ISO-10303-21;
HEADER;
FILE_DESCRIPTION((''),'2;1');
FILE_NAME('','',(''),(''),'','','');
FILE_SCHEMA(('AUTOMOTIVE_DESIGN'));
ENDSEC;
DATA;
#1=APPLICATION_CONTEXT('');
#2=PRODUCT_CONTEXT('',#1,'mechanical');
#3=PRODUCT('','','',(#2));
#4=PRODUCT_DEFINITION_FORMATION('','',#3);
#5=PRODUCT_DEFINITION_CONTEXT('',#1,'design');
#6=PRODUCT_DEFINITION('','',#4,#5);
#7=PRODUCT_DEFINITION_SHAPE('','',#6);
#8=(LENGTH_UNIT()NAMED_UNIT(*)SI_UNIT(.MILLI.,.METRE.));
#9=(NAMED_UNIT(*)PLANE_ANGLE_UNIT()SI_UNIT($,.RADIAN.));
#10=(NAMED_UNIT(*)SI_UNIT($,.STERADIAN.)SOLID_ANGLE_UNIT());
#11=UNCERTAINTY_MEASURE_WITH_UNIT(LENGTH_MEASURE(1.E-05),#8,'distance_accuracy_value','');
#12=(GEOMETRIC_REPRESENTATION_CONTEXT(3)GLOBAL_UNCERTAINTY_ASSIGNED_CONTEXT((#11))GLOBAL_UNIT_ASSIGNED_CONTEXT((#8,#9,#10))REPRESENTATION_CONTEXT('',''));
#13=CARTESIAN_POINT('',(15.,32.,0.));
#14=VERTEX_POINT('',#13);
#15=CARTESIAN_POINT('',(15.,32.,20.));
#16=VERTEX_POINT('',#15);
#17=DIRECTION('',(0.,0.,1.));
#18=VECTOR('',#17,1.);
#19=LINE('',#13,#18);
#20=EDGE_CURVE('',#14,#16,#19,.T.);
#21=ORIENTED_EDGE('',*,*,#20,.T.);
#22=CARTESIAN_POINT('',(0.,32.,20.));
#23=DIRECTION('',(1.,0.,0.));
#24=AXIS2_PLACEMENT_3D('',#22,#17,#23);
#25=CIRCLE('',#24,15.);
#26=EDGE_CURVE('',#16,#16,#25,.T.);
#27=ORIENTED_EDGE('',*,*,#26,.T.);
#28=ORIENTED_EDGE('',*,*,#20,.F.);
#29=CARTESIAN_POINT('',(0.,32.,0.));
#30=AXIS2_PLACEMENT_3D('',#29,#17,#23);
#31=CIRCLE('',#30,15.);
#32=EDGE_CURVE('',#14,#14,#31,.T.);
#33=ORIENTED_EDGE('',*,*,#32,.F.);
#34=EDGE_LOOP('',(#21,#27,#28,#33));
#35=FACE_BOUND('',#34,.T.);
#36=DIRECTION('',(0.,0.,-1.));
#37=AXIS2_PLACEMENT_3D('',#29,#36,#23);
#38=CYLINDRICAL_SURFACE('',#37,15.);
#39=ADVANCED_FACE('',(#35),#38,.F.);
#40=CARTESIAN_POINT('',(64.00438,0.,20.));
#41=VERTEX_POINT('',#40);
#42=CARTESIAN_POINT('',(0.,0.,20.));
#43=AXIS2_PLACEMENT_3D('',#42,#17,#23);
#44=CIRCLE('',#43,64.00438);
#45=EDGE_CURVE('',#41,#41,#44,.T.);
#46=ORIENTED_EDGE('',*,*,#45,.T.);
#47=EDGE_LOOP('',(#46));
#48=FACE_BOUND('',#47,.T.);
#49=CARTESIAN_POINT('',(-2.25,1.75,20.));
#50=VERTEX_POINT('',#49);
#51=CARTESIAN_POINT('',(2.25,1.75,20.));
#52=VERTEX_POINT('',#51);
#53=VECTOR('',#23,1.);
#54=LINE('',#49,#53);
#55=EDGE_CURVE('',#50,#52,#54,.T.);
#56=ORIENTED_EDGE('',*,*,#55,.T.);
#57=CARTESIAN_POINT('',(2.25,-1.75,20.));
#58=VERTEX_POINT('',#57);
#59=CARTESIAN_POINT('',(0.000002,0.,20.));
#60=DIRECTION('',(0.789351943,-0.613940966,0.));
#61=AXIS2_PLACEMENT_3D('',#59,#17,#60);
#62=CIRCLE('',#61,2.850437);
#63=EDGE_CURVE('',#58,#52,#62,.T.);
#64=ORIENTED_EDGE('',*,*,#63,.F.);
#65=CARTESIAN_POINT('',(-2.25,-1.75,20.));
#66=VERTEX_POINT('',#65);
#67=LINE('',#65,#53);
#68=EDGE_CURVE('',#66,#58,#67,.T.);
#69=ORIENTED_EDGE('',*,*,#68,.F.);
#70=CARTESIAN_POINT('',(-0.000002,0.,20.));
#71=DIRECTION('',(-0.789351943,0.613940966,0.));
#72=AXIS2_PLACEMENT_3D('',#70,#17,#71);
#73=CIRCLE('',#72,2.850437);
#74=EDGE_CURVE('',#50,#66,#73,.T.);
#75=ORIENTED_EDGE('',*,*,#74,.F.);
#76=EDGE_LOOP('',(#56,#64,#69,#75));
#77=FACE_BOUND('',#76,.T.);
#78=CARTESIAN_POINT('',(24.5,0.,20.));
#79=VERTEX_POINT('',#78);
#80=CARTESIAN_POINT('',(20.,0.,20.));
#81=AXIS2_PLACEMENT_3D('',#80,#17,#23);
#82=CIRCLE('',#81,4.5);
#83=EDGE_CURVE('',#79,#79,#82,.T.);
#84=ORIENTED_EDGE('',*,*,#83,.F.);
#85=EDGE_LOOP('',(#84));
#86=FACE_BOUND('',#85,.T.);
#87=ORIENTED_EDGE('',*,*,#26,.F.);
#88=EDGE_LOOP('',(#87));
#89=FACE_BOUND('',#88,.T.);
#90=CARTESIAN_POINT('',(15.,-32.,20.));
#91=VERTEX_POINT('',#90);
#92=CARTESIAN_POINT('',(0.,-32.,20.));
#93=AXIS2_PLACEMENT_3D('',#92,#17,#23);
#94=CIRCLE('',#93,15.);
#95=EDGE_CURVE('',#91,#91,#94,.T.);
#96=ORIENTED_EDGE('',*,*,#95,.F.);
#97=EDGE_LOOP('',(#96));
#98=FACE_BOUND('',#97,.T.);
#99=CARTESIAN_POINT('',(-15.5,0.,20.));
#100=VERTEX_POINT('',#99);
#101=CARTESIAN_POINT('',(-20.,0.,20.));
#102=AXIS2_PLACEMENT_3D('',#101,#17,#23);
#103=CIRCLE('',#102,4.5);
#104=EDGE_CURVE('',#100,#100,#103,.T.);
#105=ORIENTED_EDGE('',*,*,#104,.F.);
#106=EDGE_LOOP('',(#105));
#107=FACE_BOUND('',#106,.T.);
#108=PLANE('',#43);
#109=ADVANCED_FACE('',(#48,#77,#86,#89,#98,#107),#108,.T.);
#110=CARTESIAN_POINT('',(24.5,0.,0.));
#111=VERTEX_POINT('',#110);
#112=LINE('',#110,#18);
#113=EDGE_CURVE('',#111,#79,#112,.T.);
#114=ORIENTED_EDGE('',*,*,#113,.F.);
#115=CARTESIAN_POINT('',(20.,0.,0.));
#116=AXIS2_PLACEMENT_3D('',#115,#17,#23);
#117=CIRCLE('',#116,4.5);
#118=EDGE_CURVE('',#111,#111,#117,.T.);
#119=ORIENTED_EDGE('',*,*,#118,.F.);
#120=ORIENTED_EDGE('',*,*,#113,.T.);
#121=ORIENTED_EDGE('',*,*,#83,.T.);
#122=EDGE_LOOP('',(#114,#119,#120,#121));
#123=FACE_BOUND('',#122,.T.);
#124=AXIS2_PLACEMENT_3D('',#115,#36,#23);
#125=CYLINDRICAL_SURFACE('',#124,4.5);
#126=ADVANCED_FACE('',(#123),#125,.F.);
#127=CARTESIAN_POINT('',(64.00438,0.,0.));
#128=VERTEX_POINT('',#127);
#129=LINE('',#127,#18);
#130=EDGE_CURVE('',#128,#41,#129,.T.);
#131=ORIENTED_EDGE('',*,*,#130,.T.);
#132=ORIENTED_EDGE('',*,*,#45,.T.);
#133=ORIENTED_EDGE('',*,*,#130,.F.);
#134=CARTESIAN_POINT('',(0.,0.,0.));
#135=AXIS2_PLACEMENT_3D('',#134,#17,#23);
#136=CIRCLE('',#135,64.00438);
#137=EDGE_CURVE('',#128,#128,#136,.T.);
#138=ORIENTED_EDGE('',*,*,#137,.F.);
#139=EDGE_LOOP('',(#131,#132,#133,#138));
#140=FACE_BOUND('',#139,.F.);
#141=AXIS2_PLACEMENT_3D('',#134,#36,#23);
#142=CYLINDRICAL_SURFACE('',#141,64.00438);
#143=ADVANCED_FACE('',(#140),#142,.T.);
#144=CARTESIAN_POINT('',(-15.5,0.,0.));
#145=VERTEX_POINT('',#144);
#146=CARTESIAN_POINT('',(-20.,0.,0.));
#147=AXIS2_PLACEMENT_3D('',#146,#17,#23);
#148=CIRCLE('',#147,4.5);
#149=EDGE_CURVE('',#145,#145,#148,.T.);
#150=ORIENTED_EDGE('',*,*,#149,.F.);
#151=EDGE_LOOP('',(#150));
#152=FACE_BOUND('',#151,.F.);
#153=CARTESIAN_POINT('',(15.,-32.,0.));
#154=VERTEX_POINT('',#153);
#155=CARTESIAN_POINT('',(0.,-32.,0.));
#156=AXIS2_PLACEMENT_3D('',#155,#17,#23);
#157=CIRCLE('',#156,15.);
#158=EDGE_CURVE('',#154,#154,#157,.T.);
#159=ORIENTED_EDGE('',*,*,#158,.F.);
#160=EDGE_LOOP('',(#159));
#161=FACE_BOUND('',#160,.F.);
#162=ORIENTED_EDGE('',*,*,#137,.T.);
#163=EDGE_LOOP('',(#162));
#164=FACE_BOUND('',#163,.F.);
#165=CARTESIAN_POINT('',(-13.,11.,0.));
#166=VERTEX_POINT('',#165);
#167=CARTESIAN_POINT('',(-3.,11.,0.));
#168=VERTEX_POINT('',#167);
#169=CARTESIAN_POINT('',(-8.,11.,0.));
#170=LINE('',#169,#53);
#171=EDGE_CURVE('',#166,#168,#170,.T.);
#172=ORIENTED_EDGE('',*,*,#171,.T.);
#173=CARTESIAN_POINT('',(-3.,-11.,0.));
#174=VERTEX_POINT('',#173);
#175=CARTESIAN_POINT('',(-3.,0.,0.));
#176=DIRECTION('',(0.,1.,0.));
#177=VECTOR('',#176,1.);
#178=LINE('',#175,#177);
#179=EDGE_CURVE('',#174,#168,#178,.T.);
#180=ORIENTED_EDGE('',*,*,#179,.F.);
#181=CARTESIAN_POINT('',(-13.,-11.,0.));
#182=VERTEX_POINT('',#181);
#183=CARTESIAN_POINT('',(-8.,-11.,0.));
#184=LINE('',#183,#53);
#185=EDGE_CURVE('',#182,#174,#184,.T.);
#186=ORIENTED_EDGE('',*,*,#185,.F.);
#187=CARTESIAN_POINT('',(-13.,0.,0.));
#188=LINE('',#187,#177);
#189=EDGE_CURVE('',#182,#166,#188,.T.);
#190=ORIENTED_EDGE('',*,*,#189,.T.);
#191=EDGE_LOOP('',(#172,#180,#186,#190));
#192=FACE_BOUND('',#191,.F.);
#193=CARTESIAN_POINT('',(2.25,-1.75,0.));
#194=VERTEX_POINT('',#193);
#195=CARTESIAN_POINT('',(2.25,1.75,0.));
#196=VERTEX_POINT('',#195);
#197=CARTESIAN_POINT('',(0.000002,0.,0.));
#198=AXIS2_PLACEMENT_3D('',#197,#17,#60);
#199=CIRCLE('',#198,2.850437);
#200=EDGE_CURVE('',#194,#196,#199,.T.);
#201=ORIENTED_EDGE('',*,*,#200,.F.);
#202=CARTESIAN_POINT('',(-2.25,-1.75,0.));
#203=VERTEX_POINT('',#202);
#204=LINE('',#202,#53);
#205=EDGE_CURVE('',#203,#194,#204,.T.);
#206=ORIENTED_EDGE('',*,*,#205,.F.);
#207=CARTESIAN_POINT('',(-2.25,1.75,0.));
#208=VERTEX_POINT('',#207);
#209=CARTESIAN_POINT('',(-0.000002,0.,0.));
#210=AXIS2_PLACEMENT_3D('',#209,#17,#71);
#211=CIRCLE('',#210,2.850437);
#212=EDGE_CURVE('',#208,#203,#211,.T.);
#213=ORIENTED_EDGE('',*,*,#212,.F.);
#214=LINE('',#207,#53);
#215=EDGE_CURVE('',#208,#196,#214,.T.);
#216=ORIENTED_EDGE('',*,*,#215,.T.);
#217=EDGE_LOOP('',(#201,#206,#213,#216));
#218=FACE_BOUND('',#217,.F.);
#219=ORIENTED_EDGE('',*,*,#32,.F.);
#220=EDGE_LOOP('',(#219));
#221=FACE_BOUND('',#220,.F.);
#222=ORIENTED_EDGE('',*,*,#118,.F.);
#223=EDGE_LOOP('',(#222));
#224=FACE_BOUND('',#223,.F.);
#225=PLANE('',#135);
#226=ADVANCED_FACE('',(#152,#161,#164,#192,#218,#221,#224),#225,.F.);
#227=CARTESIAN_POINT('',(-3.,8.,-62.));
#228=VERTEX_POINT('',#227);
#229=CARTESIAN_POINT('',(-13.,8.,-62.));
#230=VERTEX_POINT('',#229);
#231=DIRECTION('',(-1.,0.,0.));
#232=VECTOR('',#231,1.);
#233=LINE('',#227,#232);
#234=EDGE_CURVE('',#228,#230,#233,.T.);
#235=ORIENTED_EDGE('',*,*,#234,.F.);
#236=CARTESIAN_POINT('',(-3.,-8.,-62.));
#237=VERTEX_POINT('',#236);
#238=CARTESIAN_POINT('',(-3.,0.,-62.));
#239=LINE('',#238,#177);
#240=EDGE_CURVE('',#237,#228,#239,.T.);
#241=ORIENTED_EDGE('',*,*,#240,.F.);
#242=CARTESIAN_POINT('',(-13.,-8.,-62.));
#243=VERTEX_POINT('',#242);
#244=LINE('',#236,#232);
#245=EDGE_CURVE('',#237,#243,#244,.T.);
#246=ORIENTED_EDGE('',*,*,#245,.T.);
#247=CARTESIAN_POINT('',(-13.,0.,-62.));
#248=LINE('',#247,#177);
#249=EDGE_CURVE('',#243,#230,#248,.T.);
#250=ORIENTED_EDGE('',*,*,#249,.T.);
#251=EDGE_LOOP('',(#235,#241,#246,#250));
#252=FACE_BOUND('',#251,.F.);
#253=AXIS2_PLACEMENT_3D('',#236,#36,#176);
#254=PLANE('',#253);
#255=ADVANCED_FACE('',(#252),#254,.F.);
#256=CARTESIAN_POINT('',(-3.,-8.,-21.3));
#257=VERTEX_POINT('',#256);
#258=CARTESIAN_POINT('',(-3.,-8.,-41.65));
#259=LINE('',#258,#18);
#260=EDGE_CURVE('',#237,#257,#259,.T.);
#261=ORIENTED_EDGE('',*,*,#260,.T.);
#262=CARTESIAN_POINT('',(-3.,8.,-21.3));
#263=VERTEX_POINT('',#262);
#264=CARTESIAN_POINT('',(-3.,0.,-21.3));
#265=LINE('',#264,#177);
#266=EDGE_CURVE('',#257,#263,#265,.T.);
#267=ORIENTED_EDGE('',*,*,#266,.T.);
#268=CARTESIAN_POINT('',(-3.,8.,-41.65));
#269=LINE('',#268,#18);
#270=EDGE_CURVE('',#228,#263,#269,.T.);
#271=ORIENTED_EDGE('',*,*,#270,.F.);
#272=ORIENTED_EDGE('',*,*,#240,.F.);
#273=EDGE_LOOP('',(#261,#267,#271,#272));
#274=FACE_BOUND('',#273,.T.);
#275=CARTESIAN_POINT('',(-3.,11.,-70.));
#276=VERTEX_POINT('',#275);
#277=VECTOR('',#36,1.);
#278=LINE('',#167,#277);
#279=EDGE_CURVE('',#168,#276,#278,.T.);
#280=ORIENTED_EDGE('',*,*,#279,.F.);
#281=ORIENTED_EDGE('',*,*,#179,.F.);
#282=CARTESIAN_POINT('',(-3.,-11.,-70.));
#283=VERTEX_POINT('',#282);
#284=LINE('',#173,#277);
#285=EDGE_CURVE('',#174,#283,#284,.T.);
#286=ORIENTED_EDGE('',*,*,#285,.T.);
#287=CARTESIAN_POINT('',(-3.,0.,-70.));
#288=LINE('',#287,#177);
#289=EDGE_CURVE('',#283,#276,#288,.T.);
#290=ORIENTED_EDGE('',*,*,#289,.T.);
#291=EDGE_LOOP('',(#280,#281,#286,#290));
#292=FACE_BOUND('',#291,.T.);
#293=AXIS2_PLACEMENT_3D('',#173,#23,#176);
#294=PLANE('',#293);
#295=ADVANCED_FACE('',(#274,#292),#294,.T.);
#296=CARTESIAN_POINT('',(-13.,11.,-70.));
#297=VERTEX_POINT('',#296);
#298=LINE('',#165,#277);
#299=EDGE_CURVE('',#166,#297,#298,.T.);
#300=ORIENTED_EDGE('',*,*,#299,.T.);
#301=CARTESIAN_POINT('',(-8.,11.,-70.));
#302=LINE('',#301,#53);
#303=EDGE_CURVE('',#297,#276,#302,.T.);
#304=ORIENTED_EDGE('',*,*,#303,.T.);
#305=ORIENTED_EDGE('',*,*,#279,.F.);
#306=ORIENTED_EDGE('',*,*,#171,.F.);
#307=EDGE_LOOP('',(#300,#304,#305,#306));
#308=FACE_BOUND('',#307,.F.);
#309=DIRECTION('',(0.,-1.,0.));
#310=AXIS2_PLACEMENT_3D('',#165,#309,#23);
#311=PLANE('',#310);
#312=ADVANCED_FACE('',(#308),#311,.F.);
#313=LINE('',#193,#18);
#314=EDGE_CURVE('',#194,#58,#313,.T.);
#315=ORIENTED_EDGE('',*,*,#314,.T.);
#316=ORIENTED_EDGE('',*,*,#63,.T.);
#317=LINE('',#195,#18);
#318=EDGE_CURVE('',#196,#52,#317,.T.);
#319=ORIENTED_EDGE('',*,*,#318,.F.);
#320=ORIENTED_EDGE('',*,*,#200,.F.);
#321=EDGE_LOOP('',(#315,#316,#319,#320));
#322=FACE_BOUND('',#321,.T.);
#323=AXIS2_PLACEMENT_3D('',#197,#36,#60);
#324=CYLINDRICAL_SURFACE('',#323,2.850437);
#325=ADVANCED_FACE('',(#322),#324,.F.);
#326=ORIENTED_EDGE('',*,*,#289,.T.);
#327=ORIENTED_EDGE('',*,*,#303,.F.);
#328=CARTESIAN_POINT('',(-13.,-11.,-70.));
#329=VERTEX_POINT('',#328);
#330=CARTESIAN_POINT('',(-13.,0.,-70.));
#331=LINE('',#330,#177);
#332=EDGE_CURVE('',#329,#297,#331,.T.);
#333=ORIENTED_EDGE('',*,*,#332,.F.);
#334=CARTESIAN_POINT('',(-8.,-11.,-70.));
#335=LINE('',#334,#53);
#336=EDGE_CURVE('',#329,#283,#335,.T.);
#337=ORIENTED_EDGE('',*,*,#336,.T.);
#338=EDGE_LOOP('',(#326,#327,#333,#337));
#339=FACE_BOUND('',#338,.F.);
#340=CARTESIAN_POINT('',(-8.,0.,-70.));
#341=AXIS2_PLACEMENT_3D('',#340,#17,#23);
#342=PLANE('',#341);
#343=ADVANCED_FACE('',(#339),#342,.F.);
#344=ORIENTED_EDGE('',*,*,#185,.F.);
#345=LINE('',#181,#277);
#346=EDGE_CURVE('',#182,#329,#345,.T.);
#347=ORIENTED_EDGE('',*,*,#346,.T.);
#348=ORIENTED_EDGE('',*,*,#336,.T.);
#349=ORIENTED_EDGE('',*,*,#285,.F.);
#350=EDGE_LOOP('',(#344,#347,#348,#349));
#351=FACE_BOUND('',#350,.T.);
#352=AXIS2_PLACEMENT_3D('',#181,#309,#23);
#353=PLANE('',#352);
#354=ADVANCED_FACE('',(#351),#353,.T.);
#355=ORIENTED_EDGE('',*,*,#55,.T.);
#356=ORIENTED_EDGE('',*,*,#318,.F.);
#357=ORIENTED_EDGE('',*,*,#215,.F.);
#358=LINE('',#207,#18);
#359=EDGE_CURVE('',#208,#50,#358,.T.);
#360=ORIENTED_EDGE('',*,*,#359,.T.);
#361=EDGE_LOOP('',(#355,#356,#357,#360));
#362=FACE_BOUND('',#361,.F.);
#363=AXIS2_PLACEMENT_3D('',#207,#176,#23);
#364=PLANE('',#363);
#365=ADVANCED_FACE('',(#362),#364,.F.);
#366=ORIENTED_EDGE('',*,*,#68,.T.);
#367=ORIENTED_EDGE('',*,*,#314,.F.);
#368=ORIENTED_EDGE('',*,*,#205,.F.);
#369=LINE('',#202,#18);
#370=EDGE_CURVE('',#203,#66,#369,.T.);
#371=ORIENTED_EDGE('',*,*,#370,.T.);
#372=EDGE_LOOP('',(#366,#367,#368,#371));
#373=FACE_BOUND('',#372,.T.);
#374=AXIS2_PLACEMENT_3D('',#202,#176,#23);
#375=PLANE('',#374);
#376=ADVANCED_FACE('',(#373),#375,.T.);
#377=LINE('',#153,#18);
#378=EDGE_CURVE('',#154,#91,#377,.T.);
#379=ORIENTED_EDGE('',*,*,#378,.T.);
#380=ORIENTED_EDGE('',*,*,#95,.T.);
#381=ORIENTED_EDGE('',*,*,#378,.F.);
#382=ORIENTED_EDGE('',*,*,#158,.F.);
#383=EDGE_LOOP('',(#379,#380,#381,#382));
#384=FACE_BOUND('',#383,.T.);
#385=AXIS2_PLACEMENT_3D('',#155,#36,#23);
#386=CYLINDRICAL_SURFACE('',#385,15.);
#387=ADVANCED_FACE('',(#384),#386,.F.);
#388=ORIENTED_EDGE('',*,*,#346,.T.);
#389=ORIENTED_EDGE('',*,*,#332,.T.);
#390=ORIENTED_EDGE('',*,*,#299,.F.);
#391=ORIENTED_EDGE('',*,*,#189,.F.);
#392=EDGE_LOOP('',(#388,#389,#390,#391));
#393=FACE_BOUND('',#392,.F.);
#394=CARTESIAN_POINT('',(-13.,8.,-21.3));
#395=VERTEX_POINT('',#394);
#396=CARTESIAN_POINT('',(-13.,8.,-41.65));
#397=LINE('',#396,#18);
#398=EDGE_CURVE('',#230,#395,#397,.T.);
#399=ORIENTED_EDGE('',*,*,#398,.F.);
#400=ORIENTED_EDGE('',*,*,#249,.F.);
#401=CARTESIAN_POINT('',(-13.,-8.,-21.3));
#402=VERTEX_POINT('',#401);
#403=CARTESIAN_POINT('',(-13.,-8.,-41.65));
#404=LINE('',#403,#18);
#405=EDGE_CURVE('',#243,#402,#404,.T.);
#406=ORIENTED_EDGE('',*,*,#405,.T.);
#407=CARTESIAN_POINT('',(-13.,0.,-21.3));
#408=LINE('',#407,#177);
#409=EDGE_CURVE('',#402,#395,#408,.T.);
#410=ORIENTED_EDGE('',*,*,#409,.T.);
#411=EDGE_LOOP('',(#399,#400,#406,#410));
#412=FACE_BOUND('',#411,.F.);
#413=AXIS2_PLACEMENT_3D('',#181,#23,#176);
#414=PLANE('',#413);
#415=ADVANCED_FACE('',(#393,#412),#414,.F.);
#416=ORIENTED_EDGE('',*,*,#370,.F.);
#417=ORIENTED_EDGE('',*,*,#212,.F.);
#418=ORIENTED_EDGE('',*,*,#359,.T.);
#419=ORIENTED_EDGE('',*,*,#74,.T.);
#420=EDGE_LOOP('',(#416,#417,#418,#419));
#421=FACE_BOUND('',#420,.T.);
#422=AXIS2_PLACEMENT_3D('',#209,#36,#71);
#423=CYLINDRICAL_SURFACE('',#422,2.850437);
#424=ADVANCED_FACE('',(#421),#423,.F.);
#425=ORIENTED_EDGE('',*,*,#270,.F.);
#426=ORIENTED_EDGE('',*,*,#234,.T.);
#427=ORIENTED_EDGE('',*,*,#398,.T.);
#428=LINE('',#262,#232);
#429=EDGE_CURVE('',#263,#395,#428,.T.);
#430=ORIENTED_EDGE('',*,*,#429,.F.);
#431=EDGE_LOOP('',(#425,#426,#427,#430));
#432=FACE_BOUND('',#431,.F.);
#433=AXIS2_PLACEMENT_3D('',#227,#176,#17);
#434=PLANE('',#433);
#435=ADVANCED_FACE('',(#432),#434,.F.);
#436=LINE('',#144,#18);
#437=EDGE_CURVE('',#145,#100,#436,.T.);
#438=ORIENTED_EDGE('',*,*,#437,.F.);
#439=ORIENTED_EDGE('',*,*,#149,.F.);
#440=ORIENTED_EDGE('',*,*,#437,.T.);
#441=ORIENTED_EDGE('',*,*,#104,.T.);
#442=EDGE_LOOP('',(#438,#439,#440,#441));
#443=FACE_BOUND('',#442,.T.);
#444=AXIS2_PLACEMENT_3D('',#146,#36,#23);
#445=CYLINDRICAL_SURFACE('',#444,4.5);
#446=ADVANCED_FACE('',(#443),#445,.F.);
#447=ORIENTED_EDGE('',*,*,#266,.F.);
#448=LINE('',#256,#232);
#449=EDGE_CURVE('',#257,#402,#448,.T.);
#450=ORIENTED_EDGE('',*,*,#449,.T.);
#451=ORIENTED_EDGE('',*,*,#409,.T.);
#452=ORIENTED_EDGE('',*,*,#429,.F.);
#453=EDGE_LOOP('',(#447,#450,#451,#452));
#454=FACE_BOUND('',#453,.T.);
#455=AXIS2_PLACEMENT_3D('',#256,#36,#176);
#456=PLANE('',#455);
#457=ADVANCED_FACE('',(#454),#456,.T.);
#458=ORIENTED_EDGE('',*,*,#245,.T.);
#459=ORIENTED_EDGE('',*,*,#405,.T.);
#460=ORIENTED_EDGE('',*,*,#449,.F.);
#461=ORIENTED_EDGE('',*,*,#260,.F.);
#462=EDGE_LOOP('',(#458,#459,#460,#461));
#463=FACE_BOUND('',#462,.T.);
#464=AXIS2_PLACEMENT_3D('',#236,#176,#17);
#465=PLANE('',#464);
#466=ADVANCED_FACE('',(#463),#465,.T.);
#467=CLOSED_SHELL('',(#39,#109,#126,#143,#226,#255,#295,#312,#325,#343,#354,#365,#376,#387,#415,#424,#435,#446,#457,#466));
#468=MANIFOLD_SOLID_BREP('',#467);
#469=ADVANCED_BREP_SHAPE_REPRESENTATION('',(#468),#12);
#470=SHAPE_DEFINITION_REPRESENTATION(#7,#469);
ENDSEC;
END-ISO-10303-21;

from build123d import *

# Parameters (mm, degrees)
SKETCH004_R     = 64.00438
PAD_DEPTH       = 20
SKETCH006_R     = 4.5
POCKET_DEPTH    = 20
SKETCH005_R     = 4.5
POCKET001_DEPTH = 20
SKETCH007_W     = 10
SKETCH007_H     = 22
PAD001_DEPTH    = 70
SKETCH_W        = 16
SKETCH_H        = 40.7
POCKET002_DEPTH = 10
POCKET003_DEPTH = 20
SKETCH008_R     = 15
POCKET004_DEPTH = 20
SKETCH011_R     = 15
POCKET005_DEPTH = 20


with BuildPart() as part:
    # Sketch004 → Pad (new body)
    with BuildSketch(Plane.XY):
        Circle(SKETCH004_R)
    extrude(amount=PAD_DEPTH)

    # Sketch006 → Pocket (cut)
    with BuildSketch(Plane.XY):
        with Locations((20, 0)):
            Circle(SKETCH006_R)
    extrude(amount=POCKET_DEPTH, mode=Mode.SUBTRACT)

    # Sketch005 → Pocket001 (cut)
    with BuildSketch(Plane.XY):
        with Locations((-20, 0)):
            Circle(SKETCH005_R)
    extrude(amount=POCKET001_DEPTH, mode=Mode.SUBTRACT)

    # Sketch007 → Pad001 (join)
    with BuildSketch(Plane.XY):
        with Locations((-8, 0)):
            Rectangle(SKETCH007_W, SKETCH007_H)
    extrude(amount=-PAD001_DEPTH)

    # Sketch (on Face7 of Pad001) → Pocket002 (cut)
    with BuildSketch(Plane.YZ.offset(-3)):
        with Locations((0, -41.65)):
            Rectangle(SKETCH_W, SKETCH_H)
    extrude(amount=-POCKET002_DEPTH, mode=Mode.SUBTRACT)

    # Sketch001 → Pocket003 (cut)
    with BuildSketch(Plane.XY):
        with BuildLine():
            Line((-2.25, 1.75), (2.25, 1.75))
            ThreePointArc((2.25, -1.75), (2.850439, 0), (2.25, 1.75))
            Line((-2.25, -1.75), (2.25, -1.75))
            ThreePointArc((-2.25, 1.75), (-2.850439, 0), (-2.25, -1.75))
        make_face()
    extrude(amount=POCKET003_DEPTH, mode=Mode.SUBTRACT)

    # Sketch008 → Pocket004 (cut)
    with BuildSketch(Plane.XY):
        with Locations((0, 32)):
            Circle(SKETCH008_R)
    extrude(amount=POCKET004_DEPTH, mode=Mode.SUBTRACT)

    # Sketch011 → Pocket005 (cut)
    with BuildSketch(Plane.XY):
        with Locations((0, -32)):
            Circle(SKETCH011_R)
    extrude(amount=POCKET005_DEPTH, mode=Mode.SUBTRACT)


solid = part.part
